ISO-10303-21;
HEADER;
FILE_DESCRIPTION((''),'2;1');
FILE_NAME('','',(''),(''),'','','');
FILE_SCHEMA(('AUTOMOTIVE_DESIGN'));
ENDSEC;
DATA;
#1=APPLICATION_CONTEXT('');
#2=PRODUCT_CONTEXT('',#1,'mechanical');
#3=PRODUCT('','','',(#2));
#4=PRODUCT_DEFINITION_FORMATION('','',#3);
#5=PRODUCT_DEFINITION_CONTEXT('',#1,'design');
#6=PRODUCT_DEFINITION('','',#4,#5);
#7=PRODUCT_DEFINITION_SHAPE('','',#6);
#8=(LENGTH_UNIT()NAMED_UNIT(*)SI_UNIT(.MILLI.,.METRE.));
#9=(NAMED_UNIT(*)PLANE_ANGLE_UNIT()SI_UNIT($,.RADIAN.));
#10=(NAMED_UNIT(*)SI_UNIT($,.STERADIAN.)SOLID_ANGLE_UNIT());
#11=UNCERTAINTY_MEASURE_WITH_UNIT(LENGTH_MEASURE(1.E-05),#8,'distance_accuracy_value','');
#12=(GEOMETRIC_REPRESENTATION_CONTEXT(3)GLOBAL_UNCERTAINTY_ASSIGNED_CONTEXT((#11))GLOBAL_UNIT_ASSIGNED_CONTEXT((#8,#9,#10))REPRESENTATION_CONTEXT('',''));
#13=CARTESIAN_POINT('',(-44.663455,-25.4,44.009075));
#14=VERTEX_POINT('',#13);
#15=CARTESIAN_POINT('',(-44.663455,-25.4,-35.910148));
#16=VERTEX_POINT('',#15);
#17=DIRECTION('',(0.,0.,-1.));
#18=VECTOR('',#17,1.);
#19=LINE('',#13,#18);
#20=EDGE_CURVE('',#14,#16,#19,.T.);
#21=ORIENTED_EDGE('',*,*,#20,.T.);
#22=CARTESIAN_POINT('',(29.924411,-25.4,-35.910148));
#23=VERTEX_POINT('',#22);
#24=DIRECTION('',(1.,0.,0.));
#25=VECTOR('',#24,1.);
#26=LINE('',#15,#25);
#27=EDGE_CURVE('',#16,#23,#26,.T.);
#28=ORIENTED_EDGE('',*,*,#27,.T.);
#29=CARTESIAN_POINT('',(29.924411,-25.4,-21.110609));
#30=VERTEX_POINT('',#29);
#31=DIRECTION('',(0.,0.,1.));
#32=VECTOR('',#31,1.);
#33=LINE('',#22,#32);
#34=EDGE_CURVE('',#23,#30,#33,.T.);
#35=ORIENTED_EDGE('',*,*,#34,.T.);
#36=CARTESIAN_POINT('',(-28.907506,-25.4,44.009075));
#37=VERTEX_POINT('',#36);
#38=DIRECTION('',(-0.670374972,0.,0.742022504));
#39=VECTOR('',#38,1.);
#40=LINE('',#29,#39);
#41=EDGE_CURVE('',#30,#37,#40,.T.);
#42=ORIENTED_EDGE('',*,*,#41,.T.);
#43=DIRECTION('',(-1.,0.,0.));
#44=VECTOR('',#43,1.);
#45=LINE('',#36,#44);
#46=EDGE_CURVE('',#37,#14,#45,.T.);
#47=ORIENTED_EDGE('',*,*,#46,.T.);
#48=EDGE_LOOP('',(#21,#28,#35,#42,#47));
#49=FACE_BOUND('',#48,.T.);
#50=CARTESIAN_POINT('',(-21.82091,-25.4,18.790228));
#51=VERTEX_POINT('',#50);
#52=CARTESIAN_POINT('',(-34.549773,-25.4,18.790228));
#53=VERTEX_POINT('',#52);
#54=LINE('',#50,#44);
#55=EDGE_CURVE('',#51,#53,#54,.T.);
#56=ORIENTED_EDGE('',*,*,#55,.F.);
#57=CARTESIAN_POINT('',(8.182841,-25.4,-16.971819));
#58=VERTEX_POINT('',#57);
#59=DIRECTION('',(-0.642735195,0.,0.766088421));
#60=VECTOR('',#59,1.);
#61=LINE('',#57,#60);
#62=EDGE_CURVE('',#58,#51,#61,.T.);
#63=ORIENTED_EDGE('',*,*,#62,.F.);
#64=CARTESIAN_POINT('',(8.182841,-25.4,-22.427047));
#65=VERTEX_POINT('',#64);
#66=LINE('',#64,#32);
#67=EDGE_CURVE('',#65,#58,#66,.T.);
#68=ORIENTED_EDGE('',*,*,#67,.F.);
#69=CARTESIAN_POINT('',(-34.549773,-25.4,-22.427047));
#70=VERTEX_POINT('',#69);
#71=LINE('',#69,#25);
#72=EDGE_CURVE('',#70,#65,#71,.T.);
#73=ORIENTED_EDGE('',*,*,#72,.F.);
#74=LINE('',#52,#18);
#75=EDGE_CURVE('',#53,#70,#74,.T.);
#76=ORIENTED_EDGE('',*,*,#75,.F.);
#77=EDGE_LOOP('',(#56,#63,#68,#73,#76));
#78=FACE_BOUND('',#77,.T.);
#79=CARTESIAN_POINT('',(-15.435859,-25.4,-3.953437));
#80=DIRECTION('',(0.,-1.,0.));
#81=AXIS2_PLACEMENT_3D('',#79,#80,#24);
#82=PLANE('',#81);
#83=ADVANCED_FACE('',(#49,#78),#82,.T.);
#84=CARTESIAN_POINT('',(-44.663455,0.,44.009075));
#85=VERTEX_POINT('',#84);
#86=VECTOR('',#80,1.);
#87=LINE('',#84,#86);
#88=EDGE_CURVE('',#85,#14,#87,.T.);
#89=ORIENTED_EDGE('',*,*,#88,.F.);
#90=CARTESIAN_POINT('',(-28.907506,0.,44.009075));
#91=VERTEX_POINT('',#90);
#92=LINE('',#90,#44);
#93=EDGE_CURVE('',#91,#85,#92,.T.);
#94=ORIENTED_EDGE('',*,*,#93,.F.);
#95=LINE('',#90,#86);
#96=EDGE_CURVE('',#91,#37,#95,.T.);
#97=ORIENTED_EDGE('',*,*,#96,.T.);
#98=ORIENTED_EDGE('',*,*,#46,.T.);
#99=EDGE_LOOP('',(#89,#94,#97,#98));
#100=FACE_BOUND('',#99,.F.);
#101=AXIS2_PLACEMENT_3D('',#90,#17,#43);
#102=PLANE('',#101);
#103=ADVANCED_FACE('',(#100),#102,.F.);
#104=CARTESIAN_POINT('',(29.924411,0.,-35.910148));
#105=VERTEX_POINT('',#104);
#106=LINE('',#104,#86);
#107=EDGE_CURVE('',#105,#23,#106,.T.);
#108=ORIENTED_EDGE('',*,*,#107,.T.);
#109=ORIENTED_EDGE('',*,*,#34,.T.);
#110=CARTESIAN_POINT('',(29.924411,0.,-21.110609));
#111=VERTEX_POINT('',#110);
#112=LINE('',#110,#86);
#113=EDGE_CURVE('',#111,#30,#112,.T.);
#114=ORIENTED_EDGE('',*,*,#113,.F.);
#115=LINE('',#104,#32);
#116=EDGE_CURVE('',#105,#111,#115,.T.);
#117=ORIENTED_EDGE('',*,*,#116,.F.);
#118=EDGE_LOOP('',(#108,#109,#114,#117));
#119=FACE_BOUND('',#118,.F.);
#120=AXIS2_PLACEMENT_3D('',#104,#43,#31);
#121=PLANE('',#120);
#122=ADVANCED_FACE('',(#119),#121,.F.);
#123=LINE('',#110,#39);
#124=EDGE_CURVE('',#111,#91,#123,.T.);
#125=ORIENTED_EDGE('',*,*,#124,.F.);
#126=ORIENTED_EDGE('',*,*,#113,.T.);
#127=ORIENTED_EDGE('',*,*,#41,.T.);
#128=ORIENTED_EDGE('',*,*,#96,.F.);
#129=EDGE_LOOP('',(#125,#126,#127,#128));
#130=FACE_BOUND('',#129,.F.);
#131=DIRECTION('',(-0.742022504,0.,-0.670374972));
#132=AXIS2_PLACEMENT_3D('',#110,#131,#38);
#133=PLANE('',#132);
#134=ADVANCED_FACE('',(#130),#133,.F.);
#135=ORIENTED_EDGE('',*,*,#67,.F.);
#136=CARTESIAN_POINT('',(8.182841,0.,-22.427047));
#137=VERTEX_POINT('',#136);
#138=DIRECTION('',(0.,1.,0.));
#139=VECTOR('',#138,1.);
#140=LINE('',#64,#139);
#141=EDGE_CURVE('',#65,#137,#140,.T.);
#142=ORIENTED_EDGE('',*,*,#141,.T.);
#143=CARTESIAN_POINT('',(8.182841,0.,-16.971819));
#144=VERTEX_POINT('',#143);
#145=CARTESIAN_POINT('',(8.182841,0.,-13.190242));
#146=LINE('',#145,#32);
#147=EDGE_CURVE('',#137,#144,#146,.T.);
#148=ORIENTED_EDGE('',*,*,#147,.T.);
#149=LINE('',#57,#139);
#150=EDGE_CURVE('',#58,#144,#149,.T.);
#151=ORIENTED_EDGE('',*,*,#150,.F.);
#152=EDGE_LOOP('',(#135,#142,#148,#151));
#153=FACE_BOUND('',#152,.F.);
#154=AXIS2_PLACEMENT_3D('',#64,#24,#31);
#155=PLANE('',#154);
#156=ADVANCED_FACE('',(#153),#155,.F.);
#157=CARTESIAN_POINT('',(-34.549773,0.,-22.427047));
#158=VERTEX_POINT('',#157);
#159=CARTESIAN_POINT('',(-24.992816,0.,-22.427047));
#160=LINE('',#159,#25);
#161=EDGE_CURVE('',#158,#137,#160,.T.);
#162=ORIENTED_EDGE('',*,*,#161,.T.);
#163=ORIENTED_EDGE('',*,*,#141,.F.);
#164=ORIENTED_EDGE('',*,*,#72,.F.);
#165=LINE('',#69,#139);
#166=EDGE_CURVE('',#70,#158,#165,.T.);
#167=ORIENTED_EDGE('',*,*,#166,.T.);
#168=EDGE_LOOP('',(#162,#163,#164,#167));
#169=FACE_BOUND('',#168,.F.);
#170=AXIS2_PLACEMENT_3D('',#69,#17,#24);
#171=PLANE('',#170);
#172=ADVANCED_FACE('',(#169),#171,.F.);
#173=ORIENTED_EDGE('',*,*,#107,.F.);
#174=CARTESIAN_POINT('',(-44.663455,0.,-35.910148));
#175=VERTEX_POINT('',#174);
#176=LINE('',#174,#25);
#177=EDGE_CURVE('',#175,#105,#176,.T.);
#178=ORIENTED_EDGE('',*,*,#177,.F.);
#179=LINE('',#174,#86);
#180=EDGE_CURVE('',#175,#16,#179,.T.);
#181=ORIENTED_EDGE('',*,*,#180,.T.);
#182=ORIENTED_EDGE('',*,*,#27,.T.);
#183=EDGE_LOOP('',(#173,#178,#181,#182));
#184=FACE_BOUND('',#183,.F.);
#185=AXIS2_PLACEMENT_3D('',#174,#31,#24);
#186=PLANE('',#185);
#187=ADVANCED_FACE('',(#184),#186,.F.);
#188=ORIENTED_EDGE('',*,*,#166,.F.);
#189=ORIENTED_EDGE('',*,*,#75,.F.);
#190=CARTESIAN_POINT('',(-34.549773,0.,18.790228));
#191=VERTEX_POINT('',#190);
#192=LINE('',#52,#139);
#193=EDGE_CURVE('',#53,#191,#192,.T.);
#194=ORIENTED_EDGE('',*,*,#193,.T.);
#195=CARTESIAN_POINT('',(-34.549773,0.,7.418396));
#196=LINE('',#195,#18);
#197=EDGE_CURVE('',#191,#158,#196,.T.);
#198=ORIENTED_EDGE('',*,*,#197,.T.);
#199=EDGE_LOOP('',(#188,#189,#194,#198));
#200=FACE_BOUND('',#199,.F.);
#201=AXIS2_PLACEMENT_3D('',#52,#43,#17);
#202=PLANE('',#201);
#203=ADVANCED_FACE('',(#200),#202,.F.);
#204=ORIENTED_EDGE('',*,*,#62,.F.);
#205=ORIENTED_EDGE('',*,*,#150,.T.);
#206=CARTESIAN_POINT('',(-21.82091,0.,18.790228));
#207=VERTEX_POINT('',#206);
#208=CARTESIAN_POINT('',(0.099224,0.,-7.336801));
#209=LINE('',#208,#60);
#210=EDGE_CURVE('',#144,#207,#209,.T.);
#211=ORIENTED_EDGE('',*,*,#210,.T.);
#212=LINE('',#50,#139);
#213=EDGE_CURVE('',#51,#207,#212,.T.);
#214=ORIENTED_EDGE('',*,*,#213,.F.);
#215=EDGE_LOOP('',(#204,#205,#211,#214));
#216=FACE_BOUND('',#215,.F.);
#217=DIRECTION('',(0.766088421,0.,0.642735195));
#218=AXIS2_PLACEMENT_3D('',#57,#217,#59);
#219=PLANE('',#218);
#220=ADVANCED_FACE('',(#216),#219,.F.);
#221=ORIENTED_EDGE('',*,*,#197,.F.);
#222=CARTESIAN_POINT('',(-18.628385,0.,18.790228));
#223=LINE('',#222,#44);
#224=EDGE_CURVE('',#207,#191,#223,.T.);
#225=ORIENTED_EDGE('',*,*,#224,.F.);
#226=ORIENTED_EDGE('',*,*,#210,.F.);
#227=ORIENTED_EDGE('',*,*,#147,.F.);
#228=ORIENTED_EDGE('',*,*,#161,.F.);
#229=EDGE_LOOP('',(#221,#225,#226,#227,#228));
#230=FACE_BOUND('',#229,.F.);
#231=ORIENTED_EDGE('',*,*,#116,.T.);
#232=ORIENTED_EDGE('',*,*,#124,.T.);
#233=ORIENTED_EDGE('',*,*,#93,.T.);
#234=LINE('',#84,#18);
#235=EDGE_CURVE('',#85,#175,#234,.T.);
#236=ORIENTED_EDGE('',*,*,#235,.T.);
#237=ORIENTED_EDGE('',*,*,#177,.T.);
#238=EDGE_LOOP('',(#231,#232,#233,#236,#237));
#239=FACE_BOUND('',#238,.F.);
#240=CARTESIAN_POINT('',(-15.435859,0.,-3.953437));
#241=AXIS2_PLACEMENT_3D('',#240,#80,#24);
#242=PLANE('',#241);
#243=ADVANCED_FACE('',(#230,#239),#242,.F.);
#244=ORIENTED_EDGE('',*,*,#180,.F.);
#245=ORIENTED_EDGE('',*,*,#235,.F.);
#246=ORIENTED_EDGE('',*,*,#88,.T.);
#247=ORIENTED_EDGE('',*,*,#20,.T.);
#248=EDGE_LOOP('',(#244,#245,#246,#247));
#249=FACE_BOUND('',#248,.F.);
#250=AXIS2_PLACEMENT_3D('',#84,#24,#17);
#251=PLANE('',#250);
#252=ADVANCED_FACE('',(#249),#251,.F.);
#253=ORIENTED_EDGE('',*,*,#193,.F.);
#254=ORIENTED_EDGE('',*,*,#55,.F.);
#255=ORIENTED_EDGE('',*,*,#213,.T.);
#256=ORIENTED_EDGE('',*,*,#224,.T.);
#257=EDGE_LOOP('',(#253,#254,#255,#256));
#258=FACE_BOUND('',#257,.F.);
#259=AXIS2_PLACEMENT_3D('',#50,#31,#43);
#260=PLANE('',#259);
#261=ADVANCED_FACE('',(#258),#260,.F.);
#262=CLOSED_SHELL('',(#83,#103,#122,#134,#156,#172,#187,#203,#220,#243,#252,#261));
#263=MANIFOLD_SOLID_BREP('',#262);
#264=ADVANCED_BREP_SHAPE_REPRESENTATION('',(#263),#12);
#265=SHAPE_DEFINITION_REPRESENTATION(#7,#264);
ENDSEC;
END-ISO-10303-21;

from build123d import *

# Parameters (mm, degrees)
F1_DEPTH = 25.4
F3_DEPTH = 25.401


with BuildPart() as f1:
    # F0 (on Front) → F1 (new body)
    with BuildSketch(Plane.XZ):
        Polygon((-28.907506, 44.009075), (-44.663455, 44.009075), (-44.663455, -35.910148), (29.924411, -35.910148), (29.924411, -21.110609), align=None)
    extrude(amount=F1_DEPTH)

    # F2 (on face) → F3 (cut, through all)
    with BuildSketch(Plane.XZ.offset(25.4)):
        Polygon((-21.82091, 18.790228), (-34.549773, 18.790228), (-34.549773, -22.427047), (8.182841, -22.427047), (8.182841, -16.971819), align=None)
    extrude(amount=-F3_DEPTH, mode=Mode.SUBTRACT)


solid = f1.part
